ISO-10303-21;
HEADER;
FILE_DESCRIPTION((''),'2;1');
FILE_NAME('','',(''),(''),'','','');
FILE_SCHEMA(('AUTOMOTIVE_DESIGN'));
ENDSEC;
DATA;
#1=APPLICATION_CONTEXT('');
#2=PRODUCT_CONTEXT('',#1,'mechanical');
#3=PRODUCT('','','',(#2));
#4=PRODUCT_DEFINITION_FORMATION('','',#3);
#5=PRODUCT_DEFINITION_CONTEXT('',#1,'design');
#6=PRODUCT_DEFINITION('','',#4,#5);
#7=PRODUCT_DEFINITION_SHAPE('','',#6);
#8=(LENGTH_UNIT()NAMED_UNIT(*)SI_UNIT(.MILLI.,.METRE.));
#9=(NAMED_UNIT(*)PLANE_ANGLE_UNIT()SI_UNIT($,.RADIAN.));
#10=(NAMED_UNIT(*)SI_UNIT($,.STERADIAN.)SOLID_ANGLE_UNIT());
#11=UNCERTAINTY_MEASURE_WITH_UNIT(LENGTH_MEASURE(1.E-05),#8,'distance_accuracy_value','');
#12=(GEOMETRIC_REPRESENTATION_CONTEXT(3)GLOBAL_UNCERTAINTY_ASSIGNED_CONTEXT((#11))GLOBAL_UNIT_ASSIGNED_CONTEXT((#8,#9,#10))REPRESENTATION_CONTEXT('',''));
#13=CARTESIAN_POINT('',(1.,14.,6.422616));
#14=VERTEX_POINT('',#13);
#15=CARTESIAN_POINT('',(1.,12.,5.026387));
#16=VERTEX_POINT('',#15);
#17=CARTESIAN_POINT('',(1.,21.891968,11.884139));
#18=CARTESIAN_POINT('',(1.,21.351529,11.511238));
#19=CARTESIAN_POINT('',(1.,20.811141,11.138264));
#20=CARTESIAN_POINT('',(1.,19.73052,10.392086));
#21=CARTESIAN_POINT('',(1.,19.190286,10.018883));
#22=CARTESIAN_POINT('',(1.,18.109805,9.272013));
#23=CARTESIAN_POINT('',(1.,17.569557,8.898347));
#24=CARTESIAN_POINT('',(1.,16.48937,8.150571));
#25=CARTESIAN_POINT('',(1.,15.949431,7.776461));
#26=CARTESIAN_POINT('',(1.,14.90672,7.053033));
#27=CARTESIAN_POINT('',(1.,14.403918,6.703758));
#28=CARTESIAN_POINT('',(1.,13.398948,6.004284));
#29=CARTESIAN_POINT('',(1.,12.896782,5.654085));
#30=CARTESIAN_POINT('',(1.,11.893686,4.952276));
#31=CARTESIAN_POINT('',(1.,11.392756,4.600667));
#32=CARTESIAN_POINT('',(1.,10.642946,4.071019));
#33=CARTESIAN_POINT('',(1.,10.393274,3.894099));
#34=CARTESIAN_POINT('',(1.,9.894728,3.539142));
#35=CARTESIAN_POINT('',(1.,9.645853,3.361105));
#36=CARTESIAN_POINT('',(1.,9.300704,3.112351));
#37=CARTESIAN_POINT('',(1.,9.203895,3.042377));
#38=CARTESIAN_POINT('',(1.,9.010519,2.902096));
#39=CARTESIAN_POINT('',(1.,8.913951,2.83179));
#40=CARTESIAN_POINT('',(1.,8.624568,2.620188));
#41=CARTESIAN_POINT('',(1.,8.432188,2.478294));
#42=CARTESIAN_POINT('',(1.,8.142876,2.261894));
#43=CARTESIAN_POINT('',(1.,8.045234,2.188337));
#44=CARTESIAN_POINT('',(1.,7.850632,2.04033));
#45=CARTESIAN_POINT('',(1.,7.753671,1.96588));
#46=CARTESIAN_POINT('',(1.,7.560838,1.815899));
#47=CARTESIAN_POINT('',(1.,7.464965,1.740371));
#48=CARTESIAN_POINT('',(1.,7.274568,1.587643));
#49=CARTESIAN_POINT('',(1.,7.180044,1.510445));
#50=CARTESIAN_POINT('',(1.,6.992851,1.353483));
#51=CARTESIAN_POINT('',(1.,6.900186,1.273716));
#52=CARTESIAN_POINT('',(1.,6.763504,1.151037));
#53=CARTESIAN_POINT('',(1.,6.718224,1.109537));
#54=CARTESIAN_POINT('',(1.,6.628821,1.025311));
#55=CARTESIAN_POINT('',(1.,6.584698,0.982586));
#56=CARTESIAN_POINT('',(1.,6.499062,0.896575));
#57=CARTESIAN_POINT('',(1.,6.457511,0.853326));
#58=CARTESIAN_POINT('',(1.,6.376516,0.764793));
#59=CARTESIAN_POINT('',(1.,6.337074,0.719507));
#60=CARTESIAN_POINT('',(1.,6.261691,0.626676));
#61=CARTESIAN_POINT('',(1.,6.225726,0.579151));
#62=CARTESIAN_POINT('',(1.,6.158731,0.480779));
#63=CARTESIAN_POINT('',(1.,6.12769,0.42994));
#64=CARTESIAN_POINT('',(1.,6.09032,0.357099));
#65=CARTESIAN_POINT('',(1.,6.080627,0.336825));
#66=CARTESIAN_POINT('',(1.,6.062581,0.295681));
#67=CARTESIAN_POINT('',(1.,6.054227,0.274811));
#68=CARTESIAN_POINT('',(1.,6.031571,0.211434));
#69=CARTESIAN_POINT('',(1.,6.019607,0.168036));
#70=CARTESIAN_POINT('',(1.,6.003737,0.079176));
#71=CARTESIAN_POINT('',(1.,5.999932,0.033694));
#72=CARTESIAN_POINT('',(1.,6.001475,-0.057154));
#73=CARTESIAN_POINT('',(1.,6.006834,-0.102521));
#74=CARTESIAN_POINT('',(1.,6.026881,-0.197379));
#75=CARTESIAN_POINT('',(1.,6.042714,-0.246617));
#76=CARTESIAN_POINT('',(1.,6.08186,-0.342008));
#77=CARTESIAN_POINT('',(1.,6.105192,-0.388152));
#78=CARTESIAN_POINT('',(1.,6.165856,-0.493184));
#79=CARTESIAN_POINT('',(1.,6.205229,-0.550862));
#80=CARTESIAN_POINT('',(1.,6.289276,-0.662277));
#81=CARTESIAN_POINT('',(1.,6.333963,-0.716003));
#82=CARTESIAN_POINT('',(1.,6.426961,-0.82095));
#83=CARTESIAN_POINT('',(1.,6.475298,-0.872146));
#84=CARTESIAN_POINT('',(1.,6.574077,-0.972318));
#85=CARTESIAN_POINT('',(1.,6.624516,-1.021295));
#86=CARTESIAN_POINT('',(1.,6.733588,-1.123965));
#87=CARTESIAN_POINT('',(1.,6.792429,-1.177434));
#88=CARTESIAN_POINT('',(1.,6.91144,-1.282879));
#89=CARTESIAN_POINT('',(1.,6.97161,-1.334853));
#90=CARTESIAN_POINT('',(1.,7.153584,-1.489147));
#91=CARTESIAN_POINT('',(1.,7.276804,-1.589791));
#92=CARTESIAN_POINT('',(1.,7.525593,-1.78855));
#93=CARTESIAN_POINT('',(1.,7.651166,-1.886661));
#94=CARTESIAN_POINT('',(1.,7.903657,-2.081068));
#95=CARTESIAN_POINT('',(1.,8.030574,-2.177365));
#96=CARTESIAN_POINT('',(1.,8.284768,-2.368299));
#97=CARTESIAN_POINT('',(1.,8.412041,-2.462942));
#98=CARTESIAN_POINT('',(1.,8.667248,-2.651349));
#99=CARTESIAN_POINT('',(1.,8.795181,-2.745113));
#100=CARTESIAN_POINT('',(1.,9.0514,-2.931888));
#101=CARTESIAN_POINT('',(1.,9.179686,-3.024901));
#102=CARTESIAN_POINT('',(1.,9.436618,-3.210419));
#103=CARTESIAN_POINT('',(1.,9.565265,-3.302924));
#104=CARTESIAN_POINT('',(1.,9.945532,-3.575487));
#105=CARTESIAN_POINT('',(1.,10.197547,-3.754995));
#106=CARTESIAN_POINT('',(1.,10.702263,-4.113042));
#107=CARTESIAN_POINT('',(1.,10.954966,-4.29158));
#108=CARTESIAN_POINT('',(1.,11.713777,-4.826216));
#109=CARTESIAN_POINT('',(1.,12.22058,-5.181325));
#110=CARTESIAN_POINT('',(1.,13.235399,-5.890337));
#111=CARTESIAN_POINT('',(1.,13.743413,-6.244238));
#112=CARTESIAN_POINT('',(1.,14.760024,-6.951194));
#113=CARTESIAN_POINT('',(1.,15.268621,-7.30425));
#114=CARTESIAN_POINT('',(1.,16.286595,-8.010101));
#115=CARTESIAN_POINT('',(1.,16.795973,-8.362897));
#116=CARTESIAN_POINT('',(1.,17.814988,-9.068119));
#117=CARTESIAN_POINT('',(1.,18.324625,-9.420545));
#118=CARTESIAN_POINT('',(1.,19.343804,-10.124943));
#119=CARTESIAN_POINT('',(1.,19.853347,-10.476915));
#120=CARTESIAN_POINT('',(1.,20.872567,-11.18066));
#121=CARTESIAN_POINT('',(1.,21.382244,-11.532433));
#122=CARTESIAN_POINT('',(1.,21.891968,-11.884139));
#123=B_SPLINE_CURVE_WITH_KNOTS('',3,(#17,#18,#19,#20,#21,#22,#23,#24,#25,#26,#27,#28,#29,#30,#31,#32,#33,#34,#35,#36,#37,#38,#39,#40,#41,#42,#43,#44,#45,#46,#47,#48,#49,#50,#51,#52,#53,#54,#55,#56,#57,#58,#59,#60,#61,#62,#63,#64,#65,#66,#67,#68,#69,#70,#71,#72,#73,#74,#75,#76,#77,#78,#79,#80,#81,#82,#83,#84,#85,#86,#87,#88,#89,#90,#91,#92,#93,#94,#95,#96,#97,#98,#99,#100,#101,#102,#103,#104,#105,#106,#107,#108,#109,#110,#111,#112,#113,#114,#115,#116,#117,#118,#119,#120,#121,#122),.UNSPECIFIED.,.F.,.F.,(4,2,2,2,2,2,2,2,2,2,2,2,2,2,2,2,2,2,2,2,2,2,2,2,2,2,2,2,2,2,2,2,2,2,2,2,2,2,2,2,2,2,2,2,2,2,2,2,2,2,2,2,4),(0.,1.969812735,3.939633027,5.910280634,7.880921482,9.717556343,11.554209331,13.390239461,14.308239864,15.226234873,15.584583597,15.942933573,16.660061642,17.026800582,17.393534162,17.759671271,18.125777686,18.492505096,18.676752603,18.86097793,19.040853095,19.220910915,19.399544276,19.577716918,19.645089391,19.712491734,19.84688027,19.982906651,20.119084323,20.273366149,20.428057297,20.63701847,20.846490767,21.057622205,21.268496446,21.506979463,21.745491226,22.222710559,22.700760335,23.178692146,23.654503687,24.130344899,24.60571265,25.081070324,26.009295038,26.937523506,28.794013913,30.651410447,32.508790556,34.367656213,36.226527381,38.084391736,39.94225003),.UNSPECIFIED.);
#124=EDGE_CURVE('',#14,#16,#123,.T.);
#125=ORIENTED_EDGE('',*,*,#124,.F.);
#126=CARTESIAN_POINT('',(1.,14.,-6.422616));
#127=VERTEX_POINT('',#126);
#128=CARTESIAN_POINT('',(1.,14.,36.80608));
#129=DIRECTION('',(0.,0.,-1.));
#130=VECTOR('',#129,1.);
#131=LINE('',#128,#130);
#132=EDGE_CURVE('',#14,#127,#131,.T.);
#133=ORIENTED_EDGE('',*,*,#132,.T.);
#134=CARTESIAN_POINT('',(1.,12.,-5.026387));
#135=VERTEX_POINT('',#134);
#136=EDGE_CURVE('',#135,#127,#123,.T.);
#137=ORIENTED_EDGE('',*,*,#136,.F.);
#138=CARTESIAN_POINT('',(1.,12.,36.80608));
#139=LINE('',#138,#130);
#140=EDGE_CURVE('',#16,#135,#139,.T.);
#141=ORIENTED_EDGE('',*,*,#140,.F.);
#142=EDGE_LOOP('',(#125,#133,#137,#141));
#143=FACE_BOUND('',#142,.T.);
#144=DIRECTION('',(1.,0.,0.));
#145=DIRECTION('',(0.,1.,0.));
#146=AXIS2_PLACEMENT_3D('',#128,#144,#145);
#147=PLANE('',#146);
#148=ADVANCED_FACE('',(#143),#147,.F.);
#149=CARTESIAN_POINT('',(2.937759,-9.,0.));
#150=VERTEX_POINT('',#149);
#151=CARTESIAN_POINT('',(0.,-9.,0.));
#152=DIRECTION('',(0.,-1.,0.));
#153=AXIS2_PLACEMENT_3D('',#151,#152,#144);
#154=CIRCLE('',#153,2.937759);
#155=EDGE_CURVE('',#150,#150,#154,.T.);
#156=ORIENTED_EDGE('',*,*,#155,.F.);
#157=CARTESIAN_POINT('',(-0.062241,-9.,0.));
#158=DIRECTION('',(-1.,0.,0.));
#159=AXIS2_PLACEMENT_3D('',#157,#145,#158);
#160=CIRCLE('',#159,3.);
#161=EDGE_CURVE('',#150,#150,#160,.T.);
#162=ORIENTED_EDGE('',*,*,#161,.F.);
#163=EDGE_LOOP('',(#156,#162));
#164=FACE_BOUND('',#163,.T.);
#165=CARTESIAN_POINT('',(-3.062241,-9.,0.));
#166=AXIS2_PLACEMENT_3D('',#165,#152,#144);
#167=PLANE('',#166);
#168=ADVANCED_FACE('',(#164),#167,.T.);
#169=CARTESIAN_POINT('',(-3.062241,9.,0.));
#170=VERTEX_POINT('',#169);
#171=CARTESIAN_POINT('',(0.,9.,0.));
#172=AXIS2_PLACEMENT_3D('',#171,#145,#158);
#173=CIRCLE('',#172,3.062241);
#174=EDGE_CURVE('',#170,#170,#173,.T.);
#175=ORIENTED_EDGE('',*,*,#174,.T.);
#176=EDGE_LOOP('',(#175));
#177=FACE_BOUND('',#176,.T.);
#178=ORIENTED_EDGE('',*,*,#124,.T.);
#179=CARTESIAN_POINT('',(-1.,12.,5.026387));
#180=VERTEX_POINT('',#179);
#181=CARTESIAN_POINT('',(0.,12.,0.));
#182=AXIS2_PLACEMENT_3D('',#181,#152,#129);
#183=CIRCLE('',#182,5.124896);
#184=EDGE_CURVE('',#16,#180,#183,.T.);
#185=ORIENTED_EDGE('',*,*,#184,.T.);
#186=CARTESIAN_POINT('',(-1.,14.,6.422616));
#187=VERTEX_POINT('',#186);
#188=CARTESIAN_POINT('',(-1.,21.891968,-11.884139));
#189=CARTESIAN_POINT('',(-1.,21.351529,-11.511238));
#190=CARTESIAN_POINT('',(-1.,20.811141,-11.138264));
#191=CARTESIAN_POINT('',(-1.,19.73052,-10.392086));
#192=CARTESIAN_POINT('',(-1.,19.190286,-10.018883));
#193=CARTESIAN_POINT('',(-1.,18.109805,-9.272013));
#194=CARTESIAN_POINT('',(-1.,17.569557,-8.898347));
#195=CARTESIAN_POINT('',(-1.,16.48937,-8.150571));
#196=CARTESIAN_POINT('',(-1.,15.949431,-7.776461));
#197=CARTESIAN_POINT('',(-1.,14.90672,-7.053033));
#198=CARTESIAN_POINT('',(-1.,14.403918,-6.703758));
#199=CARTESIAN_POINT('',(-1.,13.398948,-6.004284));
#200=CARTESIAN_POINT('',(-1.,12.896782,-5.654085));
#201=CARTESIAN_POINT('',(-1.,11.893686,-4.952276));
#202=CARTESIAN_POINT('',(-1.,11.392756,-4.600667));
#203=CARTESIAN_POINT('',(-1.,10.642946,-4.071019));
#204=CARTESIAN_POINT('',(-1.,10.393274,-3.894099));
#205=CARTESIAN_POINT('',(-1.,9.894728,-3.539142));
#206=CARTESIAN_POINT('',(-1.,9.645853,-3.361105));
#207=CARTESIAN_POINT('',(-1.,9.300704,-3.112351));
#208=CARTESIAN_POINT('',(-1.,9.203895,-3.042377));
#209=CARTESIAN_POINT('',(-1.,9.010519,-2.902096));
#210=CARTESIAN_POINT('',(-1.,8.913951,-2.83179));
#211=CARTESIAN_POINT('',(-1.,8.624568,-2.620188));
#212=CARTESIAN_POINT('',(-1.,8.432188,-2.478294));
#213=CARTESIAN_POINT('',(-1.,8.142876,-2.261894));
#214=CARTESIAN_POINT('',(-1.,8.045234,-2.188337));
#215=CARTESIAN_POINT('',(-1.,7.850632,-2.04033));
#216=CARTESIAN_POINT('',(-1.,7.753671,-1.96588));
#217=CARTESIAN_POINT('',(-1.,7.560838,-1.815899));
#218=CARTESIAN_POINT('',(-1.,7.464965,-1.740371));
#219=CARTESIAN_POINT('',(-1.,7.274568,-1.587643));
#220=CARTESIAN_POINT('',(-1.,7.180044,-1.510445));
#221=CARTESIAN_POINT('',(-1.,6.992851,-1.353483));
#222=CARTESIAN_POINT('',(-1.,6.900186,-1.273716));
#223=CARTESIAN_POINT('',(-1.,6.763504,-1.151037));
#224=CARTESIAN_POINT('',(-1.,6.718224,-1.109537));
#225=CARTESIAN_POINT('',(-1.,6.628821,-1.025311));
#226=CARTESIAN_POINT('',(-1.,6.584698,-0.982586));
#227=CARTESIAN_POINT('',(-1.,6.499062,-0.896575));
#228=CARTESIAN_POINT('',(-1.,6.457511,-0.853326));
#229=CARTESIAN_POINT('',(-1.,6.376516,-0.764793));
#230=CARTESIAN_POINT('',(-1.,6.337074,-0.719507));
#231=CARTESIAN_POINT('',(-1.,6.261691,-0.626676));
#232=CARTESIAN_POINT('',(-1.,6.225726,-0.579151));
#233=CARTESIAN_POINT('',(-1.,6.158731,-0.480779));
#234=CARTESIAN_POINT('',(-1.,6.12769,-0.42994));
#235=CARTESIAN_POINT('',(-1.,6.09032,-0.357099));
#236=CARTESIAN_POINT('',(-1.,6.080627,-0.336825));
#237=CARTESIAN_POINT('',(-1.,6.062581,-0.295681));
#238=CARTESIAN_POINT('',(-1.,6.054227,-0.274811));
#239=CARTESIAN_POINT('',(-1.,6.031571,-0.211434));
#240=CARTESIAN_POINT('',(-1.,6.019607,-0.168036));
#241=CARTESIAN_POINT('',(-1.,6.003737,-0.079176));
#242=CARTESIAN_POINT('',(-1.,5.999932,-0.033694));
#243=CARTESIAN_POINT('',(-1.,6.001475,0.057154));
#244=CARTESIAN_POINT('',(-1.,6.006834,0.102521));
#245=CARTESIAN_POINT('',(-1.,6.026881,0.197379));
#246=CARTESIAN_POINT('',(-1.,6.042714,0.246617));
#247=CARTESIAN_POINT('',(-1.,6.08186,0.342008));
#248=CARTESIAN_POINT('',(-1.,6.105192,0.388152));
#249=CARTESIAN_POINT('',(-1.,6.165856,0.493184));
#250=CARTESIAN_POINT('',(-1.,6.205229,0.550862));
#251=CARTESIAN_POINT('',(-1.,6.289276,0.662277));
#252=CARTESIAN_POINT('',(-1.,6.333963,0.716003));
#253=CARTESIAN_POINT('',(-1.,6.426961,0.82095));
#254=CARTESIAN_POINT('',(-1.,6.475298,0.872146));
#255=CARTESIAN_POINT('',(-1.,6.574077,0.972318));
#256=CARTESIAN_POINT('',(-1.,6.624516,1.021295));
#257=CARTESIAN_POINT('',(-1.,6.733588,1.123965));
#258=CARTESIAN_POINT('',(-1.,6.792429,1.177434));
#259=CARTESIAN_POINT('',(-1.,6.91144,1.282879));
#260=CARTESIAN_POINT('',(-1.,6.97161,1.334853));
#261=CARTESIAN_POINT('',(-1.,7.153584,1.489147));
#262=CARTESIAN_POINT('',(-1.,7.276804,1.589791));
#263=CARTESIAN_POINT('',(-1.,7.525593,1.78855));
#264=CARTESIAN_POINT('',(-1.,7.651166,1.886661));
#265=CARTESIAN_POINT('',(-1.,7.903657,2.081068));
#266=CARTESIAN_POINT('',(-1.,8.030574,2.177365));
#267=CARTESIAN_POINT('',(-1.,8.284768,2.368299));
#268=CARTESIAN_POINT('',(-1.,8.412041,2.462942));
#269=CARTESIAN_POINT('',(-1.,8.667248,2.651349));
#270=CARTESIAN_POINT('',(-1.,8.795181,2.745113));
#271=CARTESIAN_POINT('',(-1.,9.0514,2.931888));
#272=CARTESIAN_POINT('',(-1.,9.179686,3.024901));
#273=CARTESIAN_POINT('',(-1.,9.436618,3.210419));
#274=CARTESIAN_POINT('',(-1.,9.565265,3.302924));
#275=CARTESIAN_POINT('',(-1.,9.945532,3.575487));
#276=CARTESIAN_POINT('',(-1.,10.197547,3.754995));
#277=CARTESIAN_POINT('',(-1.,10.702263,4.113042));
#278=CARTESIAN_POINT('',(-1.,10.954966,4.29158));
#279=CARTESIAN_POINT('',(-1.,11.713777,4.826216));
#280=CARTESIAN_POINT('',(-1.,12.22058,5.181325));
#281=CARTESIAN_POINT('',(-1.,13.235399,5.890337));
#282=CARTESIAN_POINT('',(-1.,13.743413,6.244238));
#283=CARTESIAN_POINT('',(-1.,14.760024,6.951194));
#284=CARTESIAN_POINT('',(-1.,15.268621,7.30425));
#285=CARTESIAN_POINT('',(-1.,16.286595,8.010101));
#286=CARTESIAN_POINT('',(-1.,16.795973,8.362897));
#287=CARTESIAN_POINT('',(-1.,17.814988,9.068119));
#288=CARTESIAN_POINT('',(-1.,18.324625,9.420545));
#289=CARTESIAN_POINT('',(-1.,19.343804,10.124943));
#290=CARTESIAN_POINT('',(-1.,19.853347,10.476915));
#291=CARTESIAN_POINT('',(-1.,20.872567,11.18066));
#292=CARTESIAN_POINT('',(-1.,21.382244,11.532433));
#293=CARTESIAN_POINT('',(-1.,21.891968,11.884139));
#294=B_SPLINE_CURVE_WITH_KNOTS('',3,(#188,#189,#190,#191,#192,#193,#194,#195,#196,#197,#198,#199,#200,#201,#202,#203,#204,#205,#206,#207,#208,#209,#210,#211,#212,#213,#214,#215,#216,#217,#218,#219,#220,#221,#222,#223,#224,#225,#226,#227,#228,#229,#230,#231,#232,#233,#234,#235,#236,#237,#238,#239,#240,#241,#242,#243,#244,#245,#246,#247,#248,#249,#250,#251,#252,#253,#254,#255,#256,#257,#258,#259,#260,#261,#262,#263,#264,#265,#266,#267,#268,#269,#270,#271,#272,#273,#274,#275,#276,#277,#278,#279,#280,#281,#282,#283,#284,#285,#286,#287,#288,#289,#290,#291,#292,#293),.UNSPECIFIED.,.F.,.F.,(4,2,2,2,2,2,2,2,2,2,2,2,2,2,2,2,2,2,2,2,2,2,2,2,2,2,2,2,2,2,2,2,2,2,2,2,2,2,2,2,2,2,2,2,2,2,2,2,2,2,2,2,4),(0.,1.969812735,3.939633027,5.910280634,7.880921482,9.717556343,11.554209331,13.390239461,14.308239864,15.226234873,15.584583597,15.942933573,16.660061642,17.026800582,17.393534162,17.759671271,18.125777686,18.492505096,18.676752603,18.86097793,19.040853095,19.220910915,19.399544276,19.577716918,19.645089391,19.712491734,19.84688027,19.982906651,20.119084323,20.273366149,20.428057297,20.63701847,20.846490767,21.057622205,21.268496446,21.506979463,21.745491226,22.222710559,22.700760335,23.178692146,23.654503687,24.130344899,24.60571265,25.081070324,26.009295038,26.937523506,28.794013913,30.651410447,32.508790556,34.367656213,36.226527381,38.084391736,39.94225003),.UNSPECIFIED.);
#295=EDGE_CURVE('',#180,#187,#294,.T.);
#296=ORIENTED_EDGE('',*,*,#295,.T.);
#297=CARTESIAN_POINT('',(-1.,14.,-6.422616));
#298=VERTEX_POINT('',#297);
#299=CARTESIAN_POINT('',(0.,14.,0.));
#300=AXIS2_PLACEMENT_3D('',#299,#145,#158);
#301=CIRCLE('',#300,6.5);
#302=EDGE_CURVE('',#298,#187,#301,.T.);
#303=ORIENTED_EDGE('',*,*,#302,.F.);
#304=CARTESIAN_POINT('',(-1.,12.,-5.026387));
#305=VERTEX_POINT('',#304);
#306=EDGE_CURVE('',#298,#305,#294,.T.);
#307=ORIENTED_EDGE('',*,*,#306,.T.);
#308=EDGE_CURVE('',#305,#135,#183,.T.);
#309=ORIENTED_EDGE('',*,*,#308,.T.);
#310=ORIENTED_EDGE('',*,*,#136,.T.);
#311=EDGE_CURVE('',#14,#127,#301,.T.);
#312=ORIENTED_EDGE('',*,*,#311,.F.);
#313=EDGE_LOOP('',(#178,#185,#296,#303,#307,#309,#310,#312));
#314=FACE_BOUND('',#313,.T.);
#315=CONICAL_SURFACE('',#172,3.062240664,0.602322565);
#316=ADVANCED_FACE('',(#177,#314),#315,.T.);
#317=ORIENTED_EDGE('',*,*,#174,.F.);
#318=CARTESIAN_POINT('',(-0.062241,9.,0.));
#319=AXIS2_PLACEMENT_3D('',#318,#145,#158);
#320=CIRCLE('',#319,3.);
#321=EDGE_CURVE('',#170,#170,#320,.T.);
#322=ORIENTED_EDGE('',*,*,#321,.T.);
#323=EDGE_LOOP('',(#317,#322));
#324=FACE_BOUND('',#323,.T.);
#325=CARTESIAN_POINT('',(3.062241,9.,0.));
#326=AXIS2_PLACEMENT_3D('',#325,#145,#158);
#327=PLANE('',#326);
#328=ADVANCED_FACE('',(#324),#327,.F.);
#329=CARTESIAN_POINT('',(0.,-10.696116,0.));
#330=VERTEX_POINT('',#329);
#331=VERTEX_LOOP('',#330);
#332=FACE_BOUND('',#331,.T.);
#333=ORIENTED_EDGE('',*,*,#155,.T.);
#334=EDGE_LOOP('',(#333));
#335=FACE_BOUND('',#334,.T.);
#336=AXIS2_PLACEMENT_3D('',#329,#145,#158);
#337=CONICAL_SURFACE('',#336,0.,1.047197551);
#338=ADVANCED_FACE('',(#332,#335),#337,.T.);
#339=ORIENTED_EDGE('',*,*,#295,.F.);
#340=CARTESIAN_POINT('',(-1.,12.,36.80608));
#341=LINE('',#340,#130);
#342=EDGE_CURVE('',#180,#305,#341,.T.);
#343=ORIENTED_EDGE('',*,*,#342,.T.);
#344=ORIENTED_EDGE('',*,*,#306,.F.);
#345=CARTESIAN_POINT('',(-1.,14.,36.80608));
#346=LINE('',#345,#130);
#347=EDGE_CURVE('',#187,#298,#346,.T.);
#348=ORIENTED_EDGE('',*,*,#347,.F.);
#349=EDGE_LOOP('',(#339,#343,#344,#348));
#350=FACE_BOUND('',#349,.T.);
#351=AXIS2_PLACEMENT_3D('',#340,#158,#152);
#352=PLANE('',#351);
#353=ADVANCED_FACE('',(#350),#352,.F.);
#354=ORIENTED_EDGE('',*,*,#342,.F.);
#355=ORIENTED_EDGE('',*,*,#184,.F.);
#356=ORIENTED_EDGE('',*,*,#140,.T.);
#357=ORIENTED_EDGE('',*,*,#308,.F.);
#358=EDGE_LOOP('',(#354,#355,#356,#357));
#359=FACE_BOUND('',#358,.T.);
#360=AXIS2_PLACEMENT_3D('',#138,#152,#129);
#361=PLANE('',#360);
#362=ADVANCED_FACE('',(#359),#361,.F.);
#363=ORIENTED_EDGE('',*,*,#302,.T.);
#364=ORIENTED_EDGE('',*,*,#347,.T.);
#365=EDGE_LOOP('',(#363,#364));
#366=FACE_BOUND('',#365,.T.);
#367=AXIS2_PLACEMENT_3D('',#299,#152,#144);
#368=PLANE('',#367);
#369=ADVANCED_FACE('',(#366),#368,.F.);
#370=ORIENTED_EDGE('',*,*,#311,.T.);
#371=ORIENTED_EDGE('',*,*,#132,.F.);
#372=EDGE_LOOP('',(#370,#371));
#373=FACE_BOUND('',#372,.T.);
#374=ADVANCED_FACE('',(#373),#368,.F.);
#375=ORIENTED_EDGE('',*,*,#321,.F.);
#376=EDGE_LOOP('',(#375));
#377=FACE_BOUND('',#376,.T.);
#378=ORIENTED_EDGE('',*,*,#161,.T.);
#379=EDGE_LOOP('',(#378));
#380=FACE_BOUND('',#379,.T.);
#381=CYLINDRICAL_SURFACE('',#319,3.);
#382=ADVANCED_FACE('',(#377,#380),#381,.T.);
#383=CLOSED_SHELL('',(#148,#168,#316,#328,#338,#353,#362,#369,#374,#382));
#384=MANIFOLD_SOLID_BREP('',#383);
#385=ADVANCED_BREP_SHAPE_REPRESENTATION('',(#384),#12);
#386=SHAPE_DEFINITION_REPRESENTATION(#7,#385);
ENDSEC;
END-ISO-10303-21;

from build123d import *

# Parameters (mm, degrees)
SKETCH1_W               = 3
SKETCH1_H               = 18
CUT_EXTRUDE1_DEPTH      = 7.5
CUT_EXTRUDE1_DEPTH_BACK = 7.5


with BuildPart() as part:
    # Sketch1 → Revolve2 (revolve)
    with BuildSketch(Plane.XY):
        with Locations((-1.562240664, 0)):
            Rectangle(SKETCH1_W, SKETCH1_H)
    revolve(axis=Axis((-0.062240664, 9, 0), (0, -1, 0)))

    # Sketch3 → Revolve3 (revolve)
    with BuildSketch(Plane.XY):
        Polygon((3.062240664, 9), (0, 9), (0, 14), (6.5, 14), align=None)
    revolve(axis=Axis((0, 14, 0), (0, -1, 0)))

    # Sketch4 → Cut-Extrude1 (cut, two sides)
    with BuildSketch(Plane.XY) as cut_extrude1_sk:
        Polygon((1, 72.383881614), (1, 14), (1, 12), (-1, 12), (-1, 14), (-1, 72.383881614), (-1, 189.151644841), (1, 189.151644841), align=None)
    extrude(amount=CUT_EXTRUDE1_DEPTH, mode=Mode.SUBTRACT)
    extrude(cut_extrude1_sk.sketch, amount=-CUT_EXTRUDE1_DEPTH_BACK, mode=Mode.SUBTRACT)

    # Sketch5 → Revolve4 (revolve)
    with BuildSketch(Plane.XY):
        Polygon((2.937759336, -9), (0, -10.696116144), (0, -9), align=None)
    revolve(axis=Axis((0, -10.696116144, 0), (0, 1, 0)))


solid = part.part
